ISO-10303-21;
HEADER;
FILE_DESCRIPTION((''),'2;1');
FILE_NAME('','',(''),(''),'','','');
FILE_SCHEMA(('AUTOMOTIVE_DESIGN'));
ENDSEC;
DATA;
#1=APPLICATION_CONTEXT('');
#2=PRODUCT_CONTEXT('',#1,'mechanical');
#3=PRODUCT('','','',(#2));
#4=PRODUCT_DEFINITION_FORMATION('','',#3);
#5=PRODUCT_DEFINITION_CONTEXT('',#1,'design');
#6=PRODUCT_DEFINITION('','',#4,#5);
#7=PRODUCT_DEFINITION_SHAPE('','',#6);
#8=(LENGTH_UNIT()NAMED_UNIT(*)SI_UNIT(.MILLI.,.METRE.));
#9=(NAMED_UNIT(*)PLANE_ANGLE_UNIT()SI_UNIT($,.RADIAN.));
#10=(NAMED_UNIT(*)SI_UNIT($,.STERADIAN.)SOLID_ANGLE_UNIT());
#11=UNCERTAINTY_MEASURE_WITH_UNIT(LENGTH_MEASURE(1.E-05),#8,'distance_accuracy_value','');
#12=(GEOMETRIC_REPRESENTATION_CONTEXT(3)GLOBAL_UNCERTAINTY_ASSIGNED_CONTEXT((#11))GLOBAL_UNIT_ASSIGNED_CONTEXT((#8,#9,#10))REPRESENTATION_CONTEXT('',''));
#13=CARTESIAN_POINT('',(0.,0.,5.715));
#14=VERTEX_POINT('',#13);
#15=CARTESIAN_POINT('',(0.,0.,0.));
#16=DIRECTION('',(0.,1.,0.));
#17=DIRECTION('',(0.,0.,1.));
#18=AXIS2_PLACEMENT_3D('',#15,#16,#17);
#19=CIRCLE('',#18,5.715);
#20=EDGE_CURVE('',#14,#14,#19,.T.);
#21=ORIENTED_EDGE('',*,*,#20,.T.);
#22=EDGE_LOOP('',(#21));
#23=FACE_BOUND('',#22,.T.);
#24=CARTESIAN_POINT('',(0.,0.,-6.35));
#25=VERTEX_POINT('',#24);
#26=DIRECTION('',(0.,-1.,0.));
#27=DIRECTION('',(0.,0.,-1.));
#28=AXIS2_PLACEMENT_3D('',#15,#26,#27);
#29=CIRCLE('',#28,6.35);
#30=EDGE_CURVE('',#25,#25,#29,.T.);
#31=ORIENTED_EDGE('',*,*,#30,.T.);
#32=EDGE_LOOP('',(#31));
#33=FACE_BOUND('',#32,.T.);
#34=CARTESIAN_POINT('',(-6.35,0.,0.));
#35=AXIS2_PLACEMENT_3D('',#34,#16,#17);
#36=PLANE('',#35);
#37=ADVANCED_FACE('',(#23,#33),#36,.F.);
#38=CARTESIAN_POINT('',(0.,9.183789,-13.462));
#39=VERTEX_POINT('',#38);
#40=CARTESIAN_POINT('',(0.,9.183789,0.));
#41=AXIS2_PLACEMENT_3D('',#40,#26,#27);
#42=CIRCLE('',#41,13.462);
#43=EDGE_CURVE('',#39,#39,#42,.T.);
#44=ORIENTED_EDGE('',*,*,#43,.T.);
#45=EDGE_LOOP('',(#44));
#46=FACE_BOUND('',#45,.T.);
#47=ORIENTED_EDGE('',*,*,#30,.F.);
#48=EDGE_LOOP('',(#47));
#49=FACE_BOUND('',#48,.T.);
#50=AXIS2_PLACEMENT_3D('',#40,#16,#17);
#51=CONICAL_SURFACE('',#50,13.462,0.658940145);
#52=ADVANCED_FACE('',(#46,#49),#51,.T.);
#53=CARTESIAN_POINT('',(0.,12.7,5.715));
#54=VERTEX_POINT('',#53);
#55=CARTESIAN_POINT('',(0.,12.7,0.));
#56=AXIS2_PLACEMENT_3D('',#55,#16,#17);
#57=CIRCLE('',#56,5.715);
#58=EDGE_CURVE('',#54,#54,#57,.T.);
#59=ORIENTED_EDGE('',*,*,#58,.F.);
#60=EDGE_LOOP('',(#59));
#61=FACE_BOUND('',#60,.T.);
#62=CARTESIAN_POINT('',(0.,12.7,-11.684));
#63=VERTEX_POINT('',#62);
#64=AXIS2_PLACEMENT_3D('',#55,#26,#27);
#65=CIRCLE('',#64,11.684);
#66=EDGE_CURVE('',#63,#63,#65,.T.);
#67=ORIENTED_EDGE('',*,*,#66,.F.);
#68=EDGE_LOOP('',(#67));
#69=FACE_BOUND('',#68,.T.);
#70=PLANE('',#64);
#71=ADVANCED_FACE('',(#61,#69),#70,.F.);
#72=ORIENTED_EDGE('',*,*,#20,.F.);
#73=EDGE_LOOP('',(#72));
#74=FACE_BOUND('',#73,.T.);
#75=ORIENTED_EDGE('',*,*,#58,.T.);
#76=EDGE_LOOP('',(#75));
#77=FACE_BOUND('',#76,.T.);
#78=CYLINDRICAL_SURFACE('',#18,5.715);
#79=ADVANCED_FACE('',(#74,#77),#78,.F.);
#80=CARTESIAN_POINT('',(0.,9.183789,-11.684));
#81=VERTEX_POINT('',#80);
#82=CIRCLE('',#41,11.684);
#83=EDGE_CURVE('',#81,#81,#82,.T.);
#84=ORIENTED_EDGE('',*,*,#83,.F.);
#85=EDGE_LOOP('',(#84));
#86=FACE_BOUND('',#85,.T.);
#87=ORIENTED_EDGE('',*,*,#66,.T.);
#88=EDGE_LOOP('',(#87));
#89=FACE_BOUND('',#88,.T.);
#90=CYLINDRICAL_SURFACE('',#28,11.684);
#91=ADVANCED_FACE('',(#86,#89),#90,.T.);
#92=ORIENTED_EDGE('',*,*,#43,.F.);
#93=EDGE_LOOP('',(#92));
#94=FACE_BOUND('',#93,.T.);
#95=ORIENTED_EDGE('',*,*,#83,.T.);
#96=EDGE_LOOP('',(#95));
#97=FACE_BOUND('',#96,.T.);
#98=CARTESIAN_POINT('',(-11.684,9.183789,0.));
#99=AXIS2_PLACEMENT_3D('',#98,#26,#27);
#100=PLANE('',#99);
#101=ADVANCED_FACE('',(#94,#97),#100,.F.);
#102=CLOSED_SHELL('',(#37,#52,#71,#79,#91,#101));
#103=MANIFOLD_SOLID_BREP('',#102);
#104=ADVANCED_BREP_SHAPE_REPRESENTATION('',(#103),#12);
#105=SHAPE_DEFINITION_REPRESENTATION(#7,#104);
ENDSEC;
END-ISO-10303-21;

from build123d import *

# Parameters (mm, degrees)
SKETCH_362_R       = 5.715
CUT_EXTRUDE4_DEPTH = 12.7


with BuildPart() as part:
    # Sketch1 → Revolve1 (revolve)
    with BuildSketch(Plane.XY, mode=Mode.PRIVATE) as revolve1_sk:
        Polygon((0, 0), (0, 12.7), (-11.684, 12.7), (-11.684, 9.183788707), (-13.462, 9.183788707), (-6.35, 0), align=None)
    revolve(revolve1_sk.sketch.rotate(Axis((0, 0, 0), (0, 1, 0)), 270), axis=Axis((0, 0, 0), (0, 1, 0)))

    # Sketch 362 → Cut-Extrude4 (cut)
    with BuildSketch(Plane(origin=(0, 12.7, 0), x_dir=(1, 0, 0), z_dir=(0, 1, 0))):
        with Locations(Location((0, 0, 0), (0, 0, 270))):
            Circle(SKETCH_362_R)
    extrude(amount=-CUT_EXTRUDE4_DEPTH, mode=Mode.SUBTRACT)


solid = part.part
